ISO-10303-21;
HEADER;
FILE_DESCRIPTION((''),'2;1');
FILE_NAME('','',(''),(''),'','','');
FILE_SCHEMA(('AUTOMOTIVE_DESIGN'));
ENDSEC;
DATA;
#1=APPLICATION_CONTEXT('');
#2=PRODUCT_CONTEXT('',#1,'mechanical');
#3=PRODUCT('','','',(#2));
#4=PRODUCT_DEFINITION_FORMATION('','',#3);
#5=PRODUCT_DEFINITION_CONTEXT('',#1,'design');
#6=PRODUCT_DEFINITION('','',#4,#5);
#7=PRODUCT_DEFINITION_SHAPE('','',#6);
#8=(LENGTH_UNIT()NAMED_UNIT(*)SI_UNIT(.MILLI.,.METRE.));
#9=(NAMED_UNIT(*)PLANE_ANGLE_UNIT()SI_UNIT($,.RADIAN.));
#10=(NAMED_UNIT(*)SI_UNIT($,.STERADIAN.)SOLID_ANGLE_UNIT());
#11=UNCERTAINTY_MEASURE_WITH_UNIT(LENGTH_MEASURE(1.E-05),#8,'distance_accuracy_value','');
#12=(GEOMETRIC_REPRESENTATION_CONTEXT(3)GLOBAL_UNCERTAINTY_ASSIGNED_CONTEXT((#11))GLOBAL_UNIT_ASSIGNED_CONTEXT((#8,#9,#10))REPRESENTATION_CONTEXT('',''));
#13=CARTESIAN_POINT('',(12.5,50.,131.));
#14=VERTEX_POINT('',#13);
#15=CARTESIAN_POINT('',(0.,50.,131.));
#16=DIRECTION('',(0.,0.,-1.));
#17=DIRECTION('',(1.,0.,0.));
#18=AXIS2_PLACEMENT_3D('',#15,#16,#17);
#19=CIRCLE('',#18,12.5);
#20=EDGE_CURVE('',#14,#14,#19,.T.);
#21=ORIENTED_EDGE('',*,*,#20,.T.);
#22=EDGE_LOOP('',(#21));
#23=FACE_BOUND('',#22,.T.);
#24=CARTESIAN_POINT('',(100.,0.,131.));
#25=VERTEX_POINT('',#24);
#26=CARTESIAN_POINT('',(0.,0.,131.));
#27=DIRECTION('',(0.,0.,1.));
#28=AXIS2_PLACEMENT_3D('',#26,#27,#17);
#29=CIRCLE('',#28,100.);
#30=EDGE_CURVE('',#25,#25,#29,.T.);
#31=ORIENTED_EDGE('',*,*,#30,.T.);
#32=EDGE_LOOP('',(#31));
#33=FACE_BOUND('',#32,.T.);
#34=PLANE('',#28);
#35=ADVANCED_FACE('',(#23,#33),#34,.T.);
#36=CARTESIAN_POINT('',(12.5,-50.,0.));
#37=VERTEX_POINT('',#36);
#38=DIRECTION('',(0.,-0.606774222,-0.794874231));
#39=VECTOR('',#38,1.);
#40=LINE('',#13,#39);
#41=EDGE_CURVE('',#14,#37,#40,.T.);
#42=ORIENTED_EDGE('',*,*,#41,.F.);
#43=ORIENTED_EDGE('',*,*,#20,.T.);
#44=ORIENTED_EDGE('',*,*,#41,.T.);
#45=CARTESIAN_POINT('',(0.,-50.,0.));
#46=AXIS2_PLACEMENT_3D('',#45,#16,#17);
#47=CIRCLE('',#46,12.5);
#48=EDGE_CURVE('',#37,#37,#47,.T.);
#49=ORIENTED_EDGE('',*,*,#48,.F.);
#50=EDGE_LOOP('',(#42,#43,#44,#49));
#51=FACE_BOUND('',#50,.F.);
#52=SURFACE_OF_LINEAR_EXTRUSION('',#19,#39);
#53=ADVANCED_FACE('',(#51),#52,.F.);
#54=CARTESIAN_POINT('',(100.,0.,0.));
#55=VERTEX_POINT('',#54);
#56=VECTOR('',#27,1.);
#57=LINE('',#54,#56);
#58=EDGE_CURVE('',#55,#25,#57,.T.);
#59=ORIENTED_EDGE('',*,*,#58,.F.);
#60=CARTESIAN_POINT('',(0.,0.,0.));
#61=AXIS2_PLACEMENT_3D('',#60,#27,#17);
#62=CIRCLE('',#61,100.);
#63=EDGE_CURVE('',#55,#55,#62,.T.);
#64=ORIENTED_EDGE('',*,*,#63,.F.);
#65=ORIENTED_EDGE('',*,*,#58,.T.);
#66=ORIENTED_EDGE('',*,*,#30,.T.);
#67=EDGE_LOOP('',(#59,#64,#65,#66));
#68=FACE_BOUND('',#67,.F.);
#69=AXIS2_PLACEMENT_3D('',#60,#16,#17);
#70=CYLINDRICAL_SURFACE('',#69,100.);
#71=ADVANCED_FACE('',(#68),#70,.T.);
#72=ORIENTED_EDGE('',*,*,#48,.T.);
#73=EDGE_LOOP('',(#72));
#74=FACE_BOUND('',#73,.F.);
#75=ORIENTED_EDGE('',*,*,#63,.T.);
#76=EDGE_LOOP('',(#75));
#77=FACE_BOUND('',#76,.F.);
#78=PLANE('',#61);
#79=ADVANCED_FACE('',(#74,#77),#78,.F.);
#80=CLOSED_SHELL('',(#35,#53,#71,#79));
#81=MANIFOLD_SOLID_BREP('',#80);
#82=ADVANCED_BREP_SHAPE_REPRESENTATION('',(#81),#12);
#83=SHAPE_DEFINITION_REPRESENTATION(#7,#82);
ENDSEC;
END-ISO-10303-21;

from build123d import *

# Parameters (mm, degrees)
F0_R     = 100
F1_DEPTH = 131
F3_R     = 12.5


with BuildPart() as f1:
    # F0 (on Top) → F1 (new body)
    with BuildSketch(Plane.XY):
        Circle(F0_R)
    extrude(amount=F1_DEPTH)

    # F5: sweep along a path in F4
    with BuildLine(Plane.YZ) as f5_path:
        Line((50, 131), (-50, 0))
    # F3 (on face) → F5 (sweep, cut)
    with BuildSketch(Plane(origin=(0, 0, 0), x_dir=(1, 0, 0), z_dir=(0, 0, -1))):
        with Locations((0, 50)):
            Circle(F3_R)
    sweep(path=f5_path.line, mode=Mode.SUBTRACT)


solid = f1.part
